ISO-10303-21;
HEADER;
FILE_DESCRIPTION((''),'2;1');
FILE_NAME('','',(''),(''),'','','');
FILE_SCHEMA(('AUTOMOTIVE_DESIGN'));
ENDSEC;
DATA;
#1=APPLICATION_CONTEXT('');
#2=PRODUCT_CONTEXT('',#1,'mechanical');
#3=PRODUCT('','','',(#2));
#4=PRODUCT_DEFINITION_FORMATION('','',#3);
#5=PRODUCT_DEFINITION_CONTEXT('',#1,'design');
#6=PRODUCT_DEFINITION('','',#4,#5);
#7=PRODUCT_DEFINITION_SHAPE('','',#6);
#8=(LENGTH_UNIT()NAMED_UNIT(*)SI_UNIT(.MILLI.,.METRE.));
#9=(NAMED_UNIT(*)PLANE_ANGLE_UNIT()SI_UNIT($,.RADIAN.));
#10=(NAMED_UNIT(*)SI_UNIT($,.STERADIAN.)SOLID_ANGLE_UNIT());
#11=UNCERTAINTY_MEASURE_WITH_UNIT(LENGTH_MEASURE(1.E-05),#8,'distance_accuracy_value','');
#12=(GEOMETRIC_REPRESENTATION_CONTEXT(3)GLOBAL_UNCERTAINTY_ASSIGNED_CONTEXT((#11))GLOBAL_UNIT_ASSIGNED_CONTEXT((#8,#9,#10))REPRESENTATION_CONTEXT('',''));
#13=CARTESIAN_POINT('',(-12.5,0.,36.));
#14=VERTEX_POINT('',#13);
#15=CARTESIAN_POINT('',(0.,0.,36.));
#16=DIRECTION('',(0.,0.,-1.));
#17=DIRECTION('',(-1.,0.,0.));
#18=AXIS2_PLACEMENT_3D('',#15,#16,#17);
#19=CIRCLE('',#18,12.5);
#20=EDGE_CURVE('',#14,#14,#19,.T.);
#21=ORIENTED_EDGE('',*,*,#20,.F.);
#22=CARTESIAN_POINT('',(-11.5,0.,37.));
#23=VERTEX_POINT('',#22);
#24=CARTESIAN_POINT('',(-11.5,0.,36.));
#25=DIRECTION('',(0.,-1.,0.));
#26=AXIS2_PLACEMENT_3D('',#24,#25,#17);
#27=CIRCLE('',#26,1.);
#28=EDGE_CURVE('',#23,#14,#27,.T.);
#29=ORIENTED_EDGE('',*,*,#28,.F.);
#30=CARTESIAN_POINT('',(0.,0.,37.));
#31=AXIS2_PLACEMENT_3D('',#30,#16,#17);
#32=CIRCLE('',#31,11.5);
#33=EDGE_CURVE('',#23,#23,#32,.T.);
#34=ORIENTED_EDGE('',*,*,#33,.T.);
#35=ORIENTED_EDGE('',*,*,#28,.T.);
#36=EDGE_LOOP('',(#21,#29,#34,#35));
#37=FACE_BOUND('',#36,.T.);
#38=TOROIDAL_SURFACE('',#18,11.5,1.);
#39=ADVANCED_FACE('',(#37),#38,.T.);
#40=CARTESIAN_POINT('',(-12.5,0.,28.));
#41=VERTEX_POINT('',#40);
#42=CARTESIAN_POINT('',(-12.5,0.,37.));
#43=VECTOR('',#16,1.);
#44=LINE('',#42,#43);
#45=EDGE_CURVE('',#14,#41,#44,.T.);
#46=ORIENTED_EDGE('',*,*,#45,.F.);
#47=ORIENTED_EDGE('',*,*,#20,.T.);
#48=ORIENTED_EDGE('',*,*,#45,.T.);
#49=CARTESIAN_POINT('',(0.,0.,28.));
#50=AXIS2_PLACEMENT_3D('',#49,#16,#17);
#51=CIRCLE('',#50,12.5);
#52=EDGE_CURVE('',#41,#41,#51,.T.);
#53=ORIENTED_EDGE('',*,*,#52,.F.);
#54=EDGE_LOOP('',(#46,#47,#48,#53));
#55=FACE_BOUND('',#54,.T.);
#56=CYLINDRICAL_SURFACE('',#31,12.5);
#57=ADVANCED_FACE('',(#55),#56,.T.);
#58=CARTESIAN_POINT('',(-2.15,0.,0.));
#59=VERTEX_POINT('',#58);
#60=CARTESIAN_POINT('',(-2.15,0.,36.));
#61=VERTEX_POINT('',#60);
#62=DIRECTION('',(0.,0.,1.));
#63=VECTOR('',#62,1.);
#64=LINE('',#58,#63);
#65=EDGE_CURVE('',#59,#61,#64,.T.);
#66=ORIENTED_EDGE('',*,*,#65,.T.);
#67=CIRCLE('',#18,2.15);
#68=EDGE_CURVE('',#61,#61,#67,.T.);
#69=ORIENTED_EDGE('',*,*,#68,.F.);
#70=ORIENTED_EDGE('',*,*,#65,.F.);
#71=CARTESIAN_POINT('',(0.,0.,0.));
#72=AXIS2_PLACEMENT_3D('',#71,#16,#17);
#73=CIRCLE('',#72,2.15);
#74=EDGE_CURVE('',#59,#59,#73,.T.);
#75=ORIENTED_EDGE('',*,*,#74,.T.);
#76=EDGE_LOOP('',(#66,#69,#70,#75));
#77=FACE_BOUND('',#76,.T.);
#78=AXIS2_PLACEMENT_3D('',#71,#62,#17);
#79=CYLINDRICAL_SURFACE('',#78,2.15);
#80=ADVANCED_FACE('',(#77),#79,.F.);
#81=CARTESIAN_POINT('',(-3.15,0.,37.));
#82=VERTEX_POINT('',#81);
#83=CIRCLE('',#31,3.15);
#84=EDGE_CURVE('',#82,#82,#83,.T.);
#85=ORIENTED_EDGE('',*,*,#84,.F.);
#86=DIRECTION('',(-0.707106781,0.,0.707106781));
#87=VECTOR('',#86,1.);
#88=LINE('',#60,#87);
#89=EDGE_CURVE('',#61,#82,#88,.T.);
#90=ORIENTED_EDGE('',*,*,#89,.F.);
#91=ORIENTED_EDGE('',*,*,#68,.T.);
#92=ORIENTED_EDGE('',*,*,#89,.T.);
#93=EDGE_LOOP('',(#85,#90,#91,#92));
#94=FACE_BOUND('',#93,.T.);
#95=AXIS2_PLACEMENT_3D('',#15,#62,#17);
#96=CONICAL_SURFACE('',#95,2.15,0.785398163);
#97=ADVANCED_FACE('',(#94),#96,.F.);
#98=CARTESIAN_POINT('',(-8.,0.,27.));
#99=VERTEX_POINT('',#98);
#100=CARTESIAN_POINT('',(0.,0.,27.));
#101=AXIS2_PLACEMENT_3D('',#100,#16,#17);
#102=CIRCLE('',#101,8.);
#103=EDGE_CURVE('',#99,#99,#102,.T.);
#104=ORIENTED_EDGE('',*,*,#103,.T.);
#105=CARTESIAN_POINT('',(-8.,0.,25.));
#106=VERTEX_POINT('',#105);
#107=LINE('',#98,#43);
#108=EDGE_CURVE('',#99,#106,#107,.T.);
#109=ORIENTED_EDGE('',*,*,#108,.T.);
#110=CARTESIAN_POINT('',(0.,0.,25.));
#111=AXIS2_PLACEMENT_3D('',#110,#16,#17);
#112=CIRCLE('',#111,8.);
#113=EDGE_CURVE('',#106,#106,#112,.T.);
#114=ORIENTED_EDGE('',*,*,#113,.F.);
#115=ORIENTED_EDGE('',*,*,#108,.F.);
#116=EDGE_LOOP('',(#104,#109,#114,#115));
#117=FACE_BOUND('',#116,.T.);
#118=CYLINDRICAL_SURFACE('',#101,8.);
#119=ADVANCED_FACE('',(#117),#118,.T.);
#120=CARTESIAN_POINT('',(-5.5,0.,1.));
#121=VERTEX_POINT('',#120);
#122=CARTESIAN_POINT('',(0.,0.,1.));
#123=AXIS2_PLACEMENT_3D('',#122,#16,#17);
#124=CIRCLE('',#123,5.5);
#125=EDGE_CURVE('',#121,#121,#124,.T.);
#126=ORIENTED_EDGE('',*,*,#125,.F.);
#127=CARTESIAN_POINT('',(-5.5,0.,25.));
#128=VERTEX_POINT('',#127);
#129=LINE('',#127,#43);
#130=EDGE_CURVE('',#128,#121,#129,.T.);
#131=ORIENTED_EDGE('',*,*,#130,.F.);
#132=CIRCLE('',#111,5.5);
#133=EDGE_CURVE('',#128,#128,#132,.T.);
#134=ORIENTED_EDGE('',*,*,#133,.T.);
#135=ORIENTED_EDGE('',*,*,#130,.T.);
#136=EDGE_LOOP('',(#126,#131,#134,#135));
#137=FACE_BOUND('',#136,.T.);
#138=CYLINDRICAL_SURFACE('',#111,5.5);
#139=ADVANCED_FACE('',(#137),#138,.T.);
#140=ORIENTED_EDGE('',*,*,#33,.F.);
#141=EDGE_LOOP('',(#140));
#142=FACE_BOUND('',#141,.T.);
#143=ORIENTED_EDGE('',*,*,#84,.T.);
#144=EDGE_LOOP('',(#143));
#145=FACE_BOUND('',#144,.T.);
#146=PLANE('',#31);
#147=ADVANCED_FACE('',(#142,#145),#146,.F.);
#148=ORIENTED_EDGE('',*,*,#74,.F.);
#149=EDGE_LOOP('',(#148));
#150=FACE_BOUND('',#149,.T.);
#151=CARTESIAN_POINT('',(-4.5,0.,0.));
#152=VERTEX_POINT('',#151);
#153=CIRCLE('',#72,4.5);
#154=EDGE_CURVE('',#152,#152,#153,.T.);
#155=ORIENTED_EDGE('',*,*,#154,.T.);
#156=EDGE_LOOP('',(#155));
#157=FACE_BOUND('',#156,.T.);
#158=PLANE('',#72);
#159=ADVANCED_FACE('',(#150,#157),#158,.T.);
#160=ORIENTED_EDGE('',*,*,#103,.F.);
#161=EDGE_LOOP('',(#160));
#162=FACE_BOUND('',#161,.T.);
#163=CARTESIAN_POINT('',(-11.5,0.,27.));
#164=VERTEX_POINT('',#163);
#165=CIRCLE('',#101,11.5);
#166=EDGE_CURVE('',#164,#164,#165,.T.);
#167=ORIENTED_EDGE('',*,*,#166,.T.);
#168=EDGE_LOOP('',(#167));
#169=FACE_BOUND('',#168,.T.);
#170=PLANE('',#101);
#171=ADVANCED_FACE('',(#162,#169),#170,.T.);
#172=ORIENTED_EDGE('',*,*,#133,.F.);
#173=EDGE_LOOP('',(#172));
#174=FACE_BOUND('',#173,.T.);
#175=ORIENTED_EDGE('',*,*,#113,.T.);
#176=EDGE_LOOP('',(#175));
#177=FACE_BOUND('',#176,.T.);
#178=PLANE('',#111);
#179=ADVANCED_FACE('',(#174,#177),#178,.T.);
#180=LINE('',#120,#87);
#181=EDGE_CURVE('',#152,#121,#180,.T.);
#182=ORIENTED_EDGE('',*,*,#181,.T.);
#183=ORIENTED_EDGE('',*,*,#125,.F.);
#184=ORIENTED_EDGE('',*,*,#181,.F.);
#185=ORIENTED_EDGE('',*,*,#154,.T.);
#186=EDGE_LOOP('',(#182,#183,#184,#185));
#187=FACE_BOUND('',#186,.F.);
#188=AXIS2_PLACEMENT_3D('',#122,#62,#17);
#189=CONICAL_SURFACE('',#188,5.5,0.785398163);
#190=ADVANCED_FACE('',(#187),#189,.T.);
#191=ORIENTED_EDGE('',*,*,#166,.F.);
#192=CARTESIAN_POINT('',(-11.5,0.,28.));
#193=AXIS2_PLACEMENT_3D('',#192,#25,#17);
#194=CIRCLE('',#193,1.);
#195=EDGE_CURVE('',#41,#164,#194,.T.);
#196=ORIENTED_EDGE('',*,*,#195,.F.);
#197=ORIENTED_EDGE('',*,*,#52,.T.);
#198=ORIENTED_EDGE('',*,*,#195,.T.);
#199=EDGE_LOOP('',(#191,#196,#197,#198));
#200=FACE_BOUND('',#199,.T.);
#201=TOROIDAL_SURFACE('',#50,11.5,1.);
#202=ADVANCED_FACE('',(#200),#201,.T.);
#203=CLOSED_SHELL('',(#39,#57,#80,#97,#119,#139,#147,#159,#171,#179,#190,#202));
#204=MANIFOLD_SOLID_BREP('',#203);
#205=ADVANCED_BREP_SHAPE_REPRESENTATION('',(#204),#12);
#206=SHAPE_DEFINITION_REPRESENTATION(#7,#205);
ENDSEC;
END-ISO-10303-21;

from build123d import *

# Parameters (mm, degrees)
F2_SIZE = 1
F3_R    = 1


with BuildPart() as f1:
    # F0 (on Front) → F1 (revolve)
    with BuildSketch(Plane.XZ):
        Polygon((-5.5, 0), (-2.15, 0), (-2.15, 37), (-12.5, 37), (-12.5, 27), (-8, 27), (-8, 25), (-5.5, 25), align=None)
    revolve(axis=Axis((0, 0, 18.5), (0, 0, -1)))

    # F2
    f2_edges = [f1.edges().sort_by_distance(p)[0] for p in [
        (5.5, 0, 0),
        (2.15, 0, 37),
    ]]
    chamfer(f2_edges, length=F2_SIZE)

    # F3
    f3_edges = [f1.edges().sort_by_distance(p)[0] for p in [
        (12.5, 0, 37),
        (12.5, 0, 27),
    ]]
    fillet(f3_edges, radius=F3_R)


solid = f1.part
